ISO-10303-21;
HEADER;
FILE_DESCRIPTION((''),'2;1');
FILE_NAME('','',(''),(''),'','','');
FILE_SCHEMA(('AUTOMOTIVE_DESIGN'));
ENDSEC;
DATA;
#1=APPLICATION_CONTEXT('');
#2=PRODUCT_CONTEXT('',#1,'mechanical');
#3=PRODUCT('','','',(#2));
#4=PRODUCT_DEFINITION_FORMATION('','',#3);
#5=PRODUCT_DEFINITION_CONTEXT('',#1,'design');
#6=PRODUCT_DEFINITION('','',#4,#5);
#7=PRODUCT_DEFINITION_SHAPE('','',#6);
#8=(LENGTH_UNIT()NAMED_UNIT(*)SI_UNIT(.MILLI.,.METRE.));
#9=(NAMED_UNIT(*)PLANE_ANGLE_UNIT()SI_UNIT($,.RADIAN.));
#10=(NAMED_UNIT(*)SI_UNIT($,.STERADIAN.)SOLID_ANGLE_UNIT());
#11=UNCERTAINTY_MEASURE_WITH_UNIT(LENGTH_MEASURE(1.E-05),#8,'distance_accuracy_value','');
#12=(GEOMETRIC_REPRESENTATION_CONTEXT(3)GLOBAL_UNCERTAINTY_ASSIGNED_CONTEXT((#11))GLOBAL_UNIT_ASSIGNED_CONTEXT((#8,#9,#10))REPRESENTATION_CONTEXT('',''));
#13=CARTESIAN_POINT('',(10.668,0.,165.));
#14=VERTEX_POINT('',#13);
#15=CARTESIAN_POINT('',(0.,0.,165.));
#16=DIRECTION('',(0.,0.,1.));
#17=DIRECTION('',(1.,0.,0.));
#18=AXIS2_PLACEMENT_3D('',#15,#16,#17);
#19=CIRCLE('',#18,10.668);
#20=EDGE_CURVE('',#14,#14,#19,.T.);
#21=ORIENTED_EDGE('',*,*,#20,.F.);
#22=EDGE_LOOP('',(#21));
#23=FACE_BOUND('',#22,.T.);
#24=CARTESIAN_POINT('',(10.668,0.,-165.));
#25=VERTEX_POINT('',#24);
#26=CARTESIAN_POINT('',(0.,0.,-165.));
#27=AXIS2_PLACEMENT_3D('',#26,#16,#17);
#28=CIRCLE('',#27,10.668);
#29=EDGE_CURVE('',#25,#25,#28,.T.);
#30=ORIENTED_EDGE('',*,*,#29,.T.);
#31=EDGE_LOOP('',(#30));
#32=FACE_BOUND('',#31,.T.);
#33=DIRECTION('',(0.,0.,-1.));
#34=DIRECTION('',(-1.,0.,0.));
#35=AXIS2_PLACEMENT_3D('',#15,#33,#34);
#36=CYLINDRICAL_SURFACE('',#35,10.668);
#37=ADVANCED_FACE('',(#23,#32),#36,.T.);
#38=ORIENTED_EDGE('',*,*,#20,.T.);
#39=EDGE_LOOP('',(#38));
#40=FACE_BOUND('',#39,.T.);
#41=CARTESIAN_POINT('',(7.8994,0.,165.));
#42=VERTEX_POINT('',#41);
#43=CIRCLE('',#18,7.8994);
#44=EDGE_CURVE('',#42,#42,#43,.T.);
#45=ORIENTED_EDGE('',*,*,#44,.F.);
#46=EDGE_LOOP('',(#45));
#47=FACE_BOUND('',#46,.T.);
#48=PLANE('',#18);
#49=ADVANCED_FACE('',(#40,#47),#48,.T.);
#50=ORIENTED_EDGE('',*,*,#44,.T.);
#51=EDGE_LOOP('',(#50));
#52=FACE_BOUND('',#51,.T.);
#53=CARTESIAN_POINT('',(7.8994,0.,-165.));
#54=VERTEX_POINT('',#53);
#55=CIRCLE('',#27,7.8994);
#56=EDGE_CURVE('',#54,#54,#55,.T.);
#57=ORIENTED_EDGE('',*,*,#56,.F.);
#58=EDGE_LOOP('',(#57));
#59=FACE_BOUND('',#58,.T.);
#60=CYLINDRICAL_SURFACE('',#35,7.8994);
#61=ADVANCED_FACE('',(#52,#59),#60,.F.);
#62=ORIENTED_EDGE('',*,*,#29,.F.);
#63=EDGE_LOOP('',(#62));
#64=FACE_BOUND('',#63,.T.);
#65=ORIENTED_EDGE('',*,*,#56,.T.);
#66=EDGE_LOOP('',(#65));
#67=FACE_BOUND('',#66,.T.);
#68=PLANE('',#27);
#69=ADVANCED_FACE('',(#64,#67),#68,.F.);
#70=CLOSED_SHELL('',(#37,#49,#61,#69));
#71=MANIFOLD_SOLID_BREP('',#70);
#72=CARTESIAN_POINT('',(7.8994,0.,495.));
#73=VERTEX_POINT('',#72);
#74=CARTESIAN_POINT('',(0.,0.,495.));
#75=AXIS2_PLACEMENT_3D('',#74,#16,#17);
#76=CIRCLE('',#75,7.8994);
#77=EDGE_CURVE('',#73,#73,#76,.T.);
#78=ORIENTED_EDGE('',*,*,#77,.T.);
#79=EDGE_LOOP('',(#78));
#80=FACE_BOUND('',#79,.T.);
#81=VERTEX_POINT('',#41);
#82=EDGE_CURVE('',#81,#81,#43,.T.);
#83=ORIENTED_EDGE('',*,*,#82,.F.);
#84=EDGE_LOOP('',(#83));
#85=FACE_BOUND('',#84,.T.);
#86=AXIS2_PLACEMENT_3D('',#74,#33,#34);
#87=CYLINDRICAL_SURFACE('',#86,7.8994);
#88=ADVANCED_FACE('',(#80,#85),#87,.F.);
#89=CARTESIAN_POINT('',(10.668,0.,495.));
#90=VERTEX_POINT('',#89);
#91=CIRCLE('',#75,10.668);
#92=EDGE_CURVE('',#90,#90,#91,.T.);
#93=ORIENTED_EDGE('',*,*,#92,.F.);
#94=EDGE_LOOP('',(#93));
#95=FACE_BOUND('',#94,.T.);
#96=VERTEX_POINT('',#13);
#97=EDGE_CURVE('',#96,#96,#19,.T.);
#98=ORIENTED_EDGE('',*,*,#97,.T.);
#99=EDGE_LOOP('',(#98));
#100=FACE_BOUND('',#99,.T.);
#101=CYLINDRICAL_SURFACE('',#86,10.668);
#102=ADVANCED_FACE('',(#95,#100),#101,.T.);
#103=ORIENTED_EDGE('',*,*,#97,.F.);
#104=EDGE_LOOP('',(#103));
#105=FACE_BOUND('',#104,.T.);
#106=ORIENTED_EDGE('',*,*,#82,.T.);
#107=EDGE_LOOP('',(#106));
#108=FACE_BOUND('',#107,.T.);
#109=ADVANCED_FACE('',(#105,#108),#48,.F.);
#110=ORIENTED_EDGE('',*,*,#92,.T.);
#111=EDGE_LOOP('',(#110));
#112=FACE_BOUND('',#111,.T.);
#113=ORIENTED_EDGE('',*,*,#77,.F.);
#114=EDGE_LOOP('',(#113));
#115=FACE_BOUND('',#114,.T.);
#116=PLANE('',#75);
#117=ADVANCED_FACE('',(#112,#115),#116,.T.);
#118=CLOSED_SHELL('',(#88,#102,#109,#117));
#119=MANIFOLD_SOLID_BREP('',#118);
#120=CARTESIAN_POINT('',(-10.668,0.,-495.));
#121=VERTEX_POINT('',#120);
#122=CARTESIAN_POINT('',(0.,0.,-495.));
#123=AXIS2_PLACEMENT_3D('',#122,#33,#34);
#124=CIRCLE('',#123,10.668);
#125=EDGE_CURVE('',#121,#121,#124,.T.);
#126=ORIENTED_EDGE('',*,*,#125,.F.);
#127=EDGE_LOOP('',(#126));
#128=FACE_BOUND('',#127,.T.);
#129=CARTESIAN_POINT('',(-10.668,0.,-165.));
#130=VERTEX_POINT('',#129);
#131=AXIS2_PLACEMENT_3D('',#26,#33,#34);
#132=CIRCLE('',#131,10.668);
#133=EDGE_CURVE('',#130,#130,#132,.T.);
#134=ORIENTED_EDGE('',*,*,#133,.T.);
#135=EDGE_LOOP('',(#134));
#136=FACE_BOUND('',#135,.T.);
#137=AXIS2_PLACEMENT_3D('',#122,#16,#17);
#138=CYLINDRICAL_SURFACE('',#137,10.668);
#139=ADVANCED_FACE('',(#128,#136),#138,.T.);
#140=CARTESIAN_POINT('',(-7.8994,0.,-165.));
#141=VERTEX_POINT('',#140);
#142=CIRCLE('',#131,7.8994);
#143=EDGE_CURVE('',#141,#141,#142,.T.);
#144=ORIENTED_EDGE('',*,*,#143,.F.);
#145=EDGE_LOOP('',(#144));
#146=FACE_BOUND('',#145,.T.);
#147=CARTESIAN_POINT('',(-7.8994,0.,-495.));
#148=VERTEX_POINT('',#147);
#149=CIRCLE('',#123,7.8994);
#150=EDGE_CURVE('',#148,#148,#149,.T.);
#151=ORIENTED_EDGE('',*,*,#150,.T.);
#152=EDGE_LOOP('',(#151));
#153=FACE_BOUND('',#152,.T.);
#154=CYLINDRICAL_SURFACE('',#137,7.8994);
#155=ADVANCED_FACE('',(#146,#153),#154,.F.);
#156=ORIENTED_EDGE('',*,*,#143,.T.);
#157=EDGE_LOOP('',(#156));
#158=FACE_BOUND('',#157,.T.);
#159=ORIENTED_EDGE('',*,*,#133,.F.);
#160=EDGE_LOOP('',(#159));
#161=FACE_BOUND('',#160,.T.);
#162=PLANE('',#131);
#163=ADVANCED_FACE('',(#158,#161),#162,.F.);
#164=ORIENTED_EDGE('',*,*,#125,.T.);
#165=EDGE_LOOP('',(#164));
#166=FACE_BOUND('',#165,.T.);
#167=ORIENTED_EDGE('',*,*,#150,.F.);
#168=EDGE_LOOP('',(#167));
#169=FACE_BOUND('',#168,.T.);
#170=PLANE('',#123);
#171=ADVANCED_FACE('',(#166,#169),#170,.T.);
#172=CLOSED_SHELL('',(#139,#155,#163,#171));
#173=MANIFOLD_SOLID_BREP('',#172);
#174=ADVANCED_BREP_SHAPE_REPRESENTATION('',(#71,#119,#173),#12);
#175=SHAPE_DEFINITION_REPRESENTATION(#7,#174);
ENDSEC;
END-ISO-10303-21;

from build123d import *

# Parameters (mm, degrees)
SKETCH1_R           = 10.668
SKETCH1_R_2         = 7.8994
EXTRUDE_THIN1_DEPTH = 165
SKETCH2_R           = 10.668
SKETCH2_R_2         = 7.8994
BOSS_EXTRUDE2_DEPTH = 330
SKETCH3_R           = 10.668
SKETCH3_R_2         = 7.8994
BOSS_EXTRUDE3_DEPTH = 330


with BuildPart() as part:
    # Sketch1 → Extrude-Thin1 (new, symmetric)
    with BuildSketch(Plane.XY):
        Circle(SKETCH1_R)
        Circle(SKETCH1_R_2, mode=Mode.SUBTRACT)
    extrude(amount=EXTRUDE_THIN1_DEPTH, both=True)


with BuildPart() as body_2:
    # Sketch2 → Boss-Extrude2 (new body)
    with BuildSketch(Plane.XY.offset(165)):
        Circle(SKETCH2_R)
        Circle(SKETCH2_R_2, mode=Mode.SUBTRACT)
    extrude(amount=BOSS_EXTRUDE2_DEPTH)


with BuildPart() as body_3:
    # Sketch3 → Boss-Extrude3 (new body)
    with BuildSketch(Plane(origin=(0, 0, -165), x_dir=(-1, 0, 0), z_dir=(0, 0, -1))):
        Circle(SKETCH3_R)
        Circle(SKETCH3_R_2, mode=Mode.SUBTRACT)
    extrude(amount=BOSS_EXTRUDE3_DEPTH)


solid = Compound([part.part, body_2.part, body_3.part])
